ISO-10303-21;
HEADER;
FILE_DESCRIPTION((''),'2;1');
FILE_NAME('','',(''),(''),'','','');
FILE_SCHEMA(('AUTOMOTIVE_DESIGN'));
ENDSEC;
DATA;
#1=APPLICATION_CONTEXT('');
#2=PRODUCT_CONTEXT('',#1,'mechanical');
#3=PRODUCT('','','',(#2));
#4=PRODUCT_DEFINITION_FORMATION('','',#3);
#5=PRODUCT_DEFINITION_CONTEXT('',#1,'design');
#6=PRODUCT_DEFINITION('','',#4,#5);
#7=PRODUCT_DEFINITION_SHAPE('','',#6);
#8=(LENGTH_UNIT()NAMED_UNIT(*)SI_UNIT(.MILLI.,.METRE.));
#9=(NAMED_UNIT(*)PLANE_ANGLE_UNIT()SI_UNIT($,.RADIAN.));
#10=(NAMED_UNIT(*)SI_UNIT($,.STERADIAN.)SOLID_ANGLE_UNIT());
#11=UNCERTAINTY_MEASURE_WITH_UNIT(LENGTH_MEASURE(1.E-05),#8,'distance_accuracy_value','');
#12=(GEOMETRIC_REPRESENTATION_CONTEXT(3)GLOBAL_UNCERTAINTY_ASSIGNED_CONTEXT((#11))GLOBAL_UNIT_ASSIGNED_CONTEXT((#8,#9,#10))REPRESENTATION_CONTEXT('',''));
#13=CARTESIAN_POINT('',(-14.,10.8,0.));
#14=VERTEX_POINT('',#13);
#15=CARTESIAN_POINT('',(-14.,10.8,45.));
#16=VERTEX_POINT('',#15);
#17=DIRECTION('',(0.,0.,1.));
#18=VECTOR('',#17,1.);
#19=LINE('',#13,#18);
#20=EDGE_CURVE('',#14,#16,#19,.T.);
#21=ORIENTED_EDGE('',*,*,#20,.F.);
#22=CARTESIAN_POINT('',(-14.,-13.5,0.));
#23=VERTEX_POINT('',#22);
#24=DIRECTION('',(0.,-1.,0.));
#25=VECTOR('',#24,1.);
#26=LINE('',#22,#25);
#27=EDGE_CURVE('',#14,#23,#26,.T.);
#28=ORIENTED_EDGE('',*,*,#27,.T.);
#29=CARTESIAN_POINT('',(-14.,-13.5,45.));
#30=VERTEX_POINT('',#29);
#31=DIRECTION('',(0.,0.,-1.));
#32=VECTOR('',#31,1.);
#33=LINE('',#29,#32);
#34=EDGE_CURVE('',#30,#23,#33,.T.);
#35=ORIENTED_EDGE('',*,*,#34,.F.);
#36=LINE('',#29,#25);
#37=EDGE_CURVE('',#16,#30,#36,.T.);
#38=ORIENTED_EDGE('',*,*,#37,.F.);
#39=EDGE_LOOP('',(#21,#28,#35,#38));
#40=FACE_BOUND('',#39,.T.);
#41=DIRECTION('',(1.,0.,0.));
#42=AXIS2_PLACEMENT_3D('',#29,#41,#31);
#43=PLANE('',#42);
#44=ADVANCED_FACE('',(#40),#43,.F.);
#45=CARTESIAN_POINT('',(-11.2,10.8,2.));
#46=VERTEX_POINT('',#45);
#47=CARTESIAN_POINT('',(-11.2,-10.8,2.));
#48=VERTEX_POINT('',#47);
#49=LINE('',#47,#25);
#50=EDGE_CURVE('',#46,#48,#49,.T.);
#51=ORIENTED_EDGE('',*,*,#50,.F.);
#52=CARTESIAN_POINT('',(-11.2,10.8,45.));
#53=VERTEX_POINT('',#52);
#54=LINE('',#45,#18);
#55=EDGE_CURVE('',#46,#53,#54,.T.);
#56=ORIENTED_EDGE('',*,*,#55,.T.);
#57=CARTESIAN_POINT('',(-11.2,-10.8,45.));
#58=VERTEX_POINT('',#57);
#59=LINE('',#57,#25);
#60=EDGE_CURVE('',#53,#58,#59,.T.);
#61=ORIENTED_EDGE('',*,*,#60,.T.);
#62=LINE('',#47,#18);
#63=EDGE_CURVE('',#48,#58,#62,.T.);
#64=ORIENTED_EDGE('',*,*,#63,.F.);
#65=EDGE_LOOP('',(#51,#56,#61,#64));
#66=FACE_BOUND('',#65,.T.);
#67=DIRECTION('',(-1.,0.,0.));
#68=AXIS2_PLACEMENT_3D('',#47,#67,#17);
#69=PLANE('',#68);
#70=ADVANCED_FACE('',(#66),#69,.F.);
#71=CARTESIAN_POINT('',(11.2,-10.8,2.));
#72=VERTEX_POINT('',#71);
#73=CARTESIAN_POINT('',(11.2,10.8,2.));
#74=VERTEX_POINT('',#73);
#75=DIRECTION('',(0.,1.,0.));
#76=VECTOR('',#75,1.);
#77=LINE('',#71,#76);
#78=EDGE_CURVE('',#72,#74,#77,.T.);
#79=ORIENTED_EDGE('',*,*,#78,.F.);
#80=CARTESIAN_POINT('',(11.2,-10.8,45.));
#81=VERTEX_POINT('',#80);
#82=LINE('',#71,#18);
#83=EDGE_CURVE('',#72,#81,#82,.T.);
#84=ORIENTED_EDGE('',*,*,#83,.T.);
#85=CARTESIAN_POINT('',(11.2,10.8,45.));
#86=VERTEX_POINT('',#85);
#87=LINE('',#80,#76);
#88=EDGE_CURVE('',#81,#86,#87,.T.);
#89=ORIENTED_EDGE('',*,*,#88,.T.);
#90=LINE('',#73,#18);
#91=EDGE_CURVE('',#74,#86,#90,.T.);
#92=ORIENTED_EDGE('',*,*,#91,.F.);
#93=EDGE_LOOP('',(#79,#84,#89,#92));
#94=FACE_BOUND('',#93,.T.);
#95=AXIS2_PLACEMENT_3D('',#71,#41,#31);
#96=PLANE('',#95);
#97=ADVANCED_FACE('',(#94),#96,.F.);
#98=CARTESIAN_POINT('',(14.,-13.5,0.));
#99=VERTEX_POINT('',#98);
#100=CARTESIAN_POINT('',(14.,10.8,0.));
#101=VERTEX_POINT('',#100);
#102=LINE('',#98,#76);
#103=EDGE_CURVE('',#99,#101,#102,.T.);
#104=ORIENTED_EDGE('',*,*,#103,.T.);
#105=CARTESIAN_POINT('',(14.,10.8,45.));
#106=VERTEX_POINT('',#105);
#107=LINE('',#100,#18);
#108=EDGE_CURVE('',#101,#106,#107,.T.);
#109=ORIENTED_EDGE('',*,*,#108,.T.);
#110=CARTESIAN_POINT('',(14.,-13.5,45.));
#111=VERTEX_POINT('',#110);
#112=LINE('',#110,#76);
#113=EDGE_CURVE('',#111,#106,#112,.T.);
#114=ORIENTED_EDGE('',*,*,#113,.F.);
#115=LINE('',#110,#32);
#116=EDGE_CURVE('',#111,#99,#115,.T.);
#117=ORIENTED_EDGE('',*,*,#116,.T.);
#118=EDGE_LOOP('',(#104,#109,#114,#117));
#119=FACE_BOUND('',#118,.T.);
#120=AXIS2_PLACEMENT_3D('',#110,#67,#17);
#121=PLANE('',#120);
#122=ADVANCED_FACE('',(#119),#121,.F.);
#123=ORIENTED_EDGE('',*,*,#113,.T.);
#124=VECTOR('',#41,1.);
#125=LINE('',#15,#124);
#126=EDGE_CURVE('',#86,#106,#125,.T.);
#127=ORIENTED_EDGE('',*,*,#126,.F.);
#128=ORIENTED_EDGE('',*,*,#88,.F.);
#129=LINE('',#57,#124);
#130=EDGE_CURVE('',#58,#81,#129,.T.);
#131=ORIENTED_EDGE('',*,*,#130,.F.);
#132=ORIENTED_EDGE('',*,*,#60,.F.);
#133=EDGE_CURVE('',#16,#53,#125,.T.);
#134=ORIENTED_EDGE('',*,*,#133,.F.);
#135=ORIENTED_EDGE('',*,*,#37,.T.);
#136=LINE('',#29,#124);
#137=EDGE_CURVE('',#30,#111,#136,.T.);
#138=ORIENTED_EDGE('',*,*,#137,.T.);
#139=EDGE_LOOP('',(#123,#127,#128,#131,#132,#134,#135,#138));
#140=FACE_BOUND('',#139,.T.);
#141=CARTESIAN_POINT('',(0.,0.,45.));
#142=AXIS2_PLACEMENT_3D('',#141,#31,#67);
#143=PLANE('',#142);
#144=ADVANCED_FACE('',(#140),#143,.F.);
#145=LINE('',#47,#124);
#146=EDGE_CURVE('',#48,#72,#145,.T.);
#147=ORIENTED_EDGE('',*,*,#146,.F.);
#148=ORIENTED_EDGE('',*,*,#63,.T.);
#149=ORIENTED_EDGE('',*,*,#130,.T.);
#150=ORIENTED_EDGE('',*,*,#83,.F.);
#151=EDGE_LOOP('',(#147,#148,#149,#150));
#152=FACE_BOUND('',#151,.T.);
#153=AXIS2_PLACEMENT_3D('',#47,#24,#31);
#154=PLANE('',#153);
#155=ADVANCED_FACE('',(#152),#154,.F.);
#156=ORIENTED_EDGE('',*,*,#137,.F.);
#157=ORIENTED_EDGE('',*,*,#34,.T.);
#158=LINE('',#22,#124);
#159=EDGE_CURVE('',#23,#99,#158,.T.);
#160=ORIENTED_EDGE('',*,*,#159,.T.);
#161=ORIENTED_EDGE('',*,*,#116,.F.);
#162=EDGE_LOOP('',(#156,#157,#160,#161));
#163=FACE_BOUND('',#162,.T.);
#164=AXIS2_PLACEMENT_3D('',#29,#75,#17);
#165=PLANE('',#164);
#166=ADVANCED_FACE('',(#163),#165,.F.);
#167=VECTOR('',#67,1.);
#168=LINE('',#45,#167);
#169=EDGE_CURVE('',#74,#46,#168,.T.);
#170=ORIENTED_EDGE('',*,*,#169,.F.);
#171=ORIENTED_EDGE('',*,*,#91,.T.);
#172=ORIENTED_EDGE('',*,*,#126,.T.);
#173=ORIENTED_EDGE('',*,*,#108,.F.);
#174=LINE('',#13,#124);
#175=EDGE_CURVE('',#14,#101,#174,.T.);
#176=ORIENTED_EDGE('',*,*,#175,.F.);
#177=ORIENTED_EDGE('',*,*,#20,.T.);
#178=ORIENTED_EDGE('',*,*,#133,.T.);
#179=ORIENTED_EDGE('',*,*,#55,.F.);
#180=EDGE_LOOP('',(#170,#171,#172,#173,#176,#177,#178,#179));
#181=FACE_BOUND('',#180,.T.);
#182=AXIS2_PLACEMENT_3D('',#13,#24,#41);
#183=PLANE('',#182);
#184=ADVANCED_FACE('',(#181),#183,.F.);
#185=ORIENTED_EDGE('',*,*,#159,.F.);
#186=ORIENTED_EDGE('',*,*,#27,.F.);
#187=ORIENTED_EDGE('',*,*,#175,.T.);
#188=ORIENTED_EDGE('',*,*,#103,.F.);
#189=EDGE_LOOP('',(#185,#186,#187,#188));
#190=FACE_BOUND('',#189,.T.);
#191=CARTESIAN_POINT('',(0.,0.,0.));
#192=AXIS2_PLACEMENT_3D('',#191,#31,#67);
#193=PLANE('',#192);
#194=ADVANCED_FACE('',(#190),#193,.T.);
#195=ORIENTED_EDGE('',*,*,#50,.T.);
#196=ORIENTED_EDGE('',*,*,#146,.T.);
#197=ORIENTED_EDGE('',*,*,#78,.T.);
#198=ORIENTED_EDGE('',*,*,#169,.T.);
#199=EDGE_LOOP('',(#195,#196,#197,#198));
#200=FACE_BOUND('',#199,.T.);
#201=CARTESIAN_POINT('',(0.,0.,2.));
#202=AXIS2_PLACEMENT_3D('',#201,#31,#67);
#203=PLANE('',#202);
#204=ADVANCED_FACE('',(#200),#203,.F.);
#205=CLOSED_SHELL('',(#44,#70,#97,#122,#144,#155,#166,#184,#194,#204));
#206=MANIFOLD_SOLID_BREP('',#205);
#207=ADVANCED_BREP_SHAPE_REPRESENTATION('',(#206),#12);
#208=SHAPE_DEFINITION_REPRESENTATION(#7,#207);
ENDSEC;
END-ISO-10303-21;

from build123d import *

# Parameters (mm, degrees)
SKETCH1_W           = 28
SKETCH1_H           = 27
BOSS_EXTRUDE1_DEPTH = 45
SKETCH2_W           = 22.4
SKETCH2_H           = 21.6
CUT_EXTRUDE1_DEPTH  = 43
FILLET3_R           = 2
SKETCH12_W          = 28
SKETCH12_H          = 3.238807787
CUT_EXTRUDE9_DEPTH  = 50.022953807


with BuildPart() as part:
    # Sketch1 → Boss-Extrude1 (new body)
    with BuildSketch(Plane.XY):
        Rectangle(SKETCH1_W, SKETCH1_H)
    extrude(amount=BOSS_EXTRUDE1_DEPTH)

    # Sketch2 → Cut-Extrude1 (cut)
    with BuildSketch(Plane.XY.offset(45)):
        Rectangle(SKETCH2_W, SKETCH2_H)
    extrude(amount=-CUT_EXTRUDE1_DEPTH, mode=Mode.SUBTRACT)

    # Fillet3
    fillet3_edges = [part.edges().sort_by_distance(p)[0] for p in [
        (-14, 13.5, 22.5),
        (14, 13.5, 22.5),
    ]]
    fillet(fillet3_edges, radius=FILLET3_R)

    # Sketch12 → Cut-Extrude9 (cut, through all)
    with BuildSketch(Plane.XY.offset(45)):
        with Locations((0, 12.419403894)):
            Rectangle(SKETCH12_W, SKETCH12_H)
    extrude(amount=-CUT_EXTRUDE9_DEPTH, mode=Mode.SUBTRACT)


solid = part.part
